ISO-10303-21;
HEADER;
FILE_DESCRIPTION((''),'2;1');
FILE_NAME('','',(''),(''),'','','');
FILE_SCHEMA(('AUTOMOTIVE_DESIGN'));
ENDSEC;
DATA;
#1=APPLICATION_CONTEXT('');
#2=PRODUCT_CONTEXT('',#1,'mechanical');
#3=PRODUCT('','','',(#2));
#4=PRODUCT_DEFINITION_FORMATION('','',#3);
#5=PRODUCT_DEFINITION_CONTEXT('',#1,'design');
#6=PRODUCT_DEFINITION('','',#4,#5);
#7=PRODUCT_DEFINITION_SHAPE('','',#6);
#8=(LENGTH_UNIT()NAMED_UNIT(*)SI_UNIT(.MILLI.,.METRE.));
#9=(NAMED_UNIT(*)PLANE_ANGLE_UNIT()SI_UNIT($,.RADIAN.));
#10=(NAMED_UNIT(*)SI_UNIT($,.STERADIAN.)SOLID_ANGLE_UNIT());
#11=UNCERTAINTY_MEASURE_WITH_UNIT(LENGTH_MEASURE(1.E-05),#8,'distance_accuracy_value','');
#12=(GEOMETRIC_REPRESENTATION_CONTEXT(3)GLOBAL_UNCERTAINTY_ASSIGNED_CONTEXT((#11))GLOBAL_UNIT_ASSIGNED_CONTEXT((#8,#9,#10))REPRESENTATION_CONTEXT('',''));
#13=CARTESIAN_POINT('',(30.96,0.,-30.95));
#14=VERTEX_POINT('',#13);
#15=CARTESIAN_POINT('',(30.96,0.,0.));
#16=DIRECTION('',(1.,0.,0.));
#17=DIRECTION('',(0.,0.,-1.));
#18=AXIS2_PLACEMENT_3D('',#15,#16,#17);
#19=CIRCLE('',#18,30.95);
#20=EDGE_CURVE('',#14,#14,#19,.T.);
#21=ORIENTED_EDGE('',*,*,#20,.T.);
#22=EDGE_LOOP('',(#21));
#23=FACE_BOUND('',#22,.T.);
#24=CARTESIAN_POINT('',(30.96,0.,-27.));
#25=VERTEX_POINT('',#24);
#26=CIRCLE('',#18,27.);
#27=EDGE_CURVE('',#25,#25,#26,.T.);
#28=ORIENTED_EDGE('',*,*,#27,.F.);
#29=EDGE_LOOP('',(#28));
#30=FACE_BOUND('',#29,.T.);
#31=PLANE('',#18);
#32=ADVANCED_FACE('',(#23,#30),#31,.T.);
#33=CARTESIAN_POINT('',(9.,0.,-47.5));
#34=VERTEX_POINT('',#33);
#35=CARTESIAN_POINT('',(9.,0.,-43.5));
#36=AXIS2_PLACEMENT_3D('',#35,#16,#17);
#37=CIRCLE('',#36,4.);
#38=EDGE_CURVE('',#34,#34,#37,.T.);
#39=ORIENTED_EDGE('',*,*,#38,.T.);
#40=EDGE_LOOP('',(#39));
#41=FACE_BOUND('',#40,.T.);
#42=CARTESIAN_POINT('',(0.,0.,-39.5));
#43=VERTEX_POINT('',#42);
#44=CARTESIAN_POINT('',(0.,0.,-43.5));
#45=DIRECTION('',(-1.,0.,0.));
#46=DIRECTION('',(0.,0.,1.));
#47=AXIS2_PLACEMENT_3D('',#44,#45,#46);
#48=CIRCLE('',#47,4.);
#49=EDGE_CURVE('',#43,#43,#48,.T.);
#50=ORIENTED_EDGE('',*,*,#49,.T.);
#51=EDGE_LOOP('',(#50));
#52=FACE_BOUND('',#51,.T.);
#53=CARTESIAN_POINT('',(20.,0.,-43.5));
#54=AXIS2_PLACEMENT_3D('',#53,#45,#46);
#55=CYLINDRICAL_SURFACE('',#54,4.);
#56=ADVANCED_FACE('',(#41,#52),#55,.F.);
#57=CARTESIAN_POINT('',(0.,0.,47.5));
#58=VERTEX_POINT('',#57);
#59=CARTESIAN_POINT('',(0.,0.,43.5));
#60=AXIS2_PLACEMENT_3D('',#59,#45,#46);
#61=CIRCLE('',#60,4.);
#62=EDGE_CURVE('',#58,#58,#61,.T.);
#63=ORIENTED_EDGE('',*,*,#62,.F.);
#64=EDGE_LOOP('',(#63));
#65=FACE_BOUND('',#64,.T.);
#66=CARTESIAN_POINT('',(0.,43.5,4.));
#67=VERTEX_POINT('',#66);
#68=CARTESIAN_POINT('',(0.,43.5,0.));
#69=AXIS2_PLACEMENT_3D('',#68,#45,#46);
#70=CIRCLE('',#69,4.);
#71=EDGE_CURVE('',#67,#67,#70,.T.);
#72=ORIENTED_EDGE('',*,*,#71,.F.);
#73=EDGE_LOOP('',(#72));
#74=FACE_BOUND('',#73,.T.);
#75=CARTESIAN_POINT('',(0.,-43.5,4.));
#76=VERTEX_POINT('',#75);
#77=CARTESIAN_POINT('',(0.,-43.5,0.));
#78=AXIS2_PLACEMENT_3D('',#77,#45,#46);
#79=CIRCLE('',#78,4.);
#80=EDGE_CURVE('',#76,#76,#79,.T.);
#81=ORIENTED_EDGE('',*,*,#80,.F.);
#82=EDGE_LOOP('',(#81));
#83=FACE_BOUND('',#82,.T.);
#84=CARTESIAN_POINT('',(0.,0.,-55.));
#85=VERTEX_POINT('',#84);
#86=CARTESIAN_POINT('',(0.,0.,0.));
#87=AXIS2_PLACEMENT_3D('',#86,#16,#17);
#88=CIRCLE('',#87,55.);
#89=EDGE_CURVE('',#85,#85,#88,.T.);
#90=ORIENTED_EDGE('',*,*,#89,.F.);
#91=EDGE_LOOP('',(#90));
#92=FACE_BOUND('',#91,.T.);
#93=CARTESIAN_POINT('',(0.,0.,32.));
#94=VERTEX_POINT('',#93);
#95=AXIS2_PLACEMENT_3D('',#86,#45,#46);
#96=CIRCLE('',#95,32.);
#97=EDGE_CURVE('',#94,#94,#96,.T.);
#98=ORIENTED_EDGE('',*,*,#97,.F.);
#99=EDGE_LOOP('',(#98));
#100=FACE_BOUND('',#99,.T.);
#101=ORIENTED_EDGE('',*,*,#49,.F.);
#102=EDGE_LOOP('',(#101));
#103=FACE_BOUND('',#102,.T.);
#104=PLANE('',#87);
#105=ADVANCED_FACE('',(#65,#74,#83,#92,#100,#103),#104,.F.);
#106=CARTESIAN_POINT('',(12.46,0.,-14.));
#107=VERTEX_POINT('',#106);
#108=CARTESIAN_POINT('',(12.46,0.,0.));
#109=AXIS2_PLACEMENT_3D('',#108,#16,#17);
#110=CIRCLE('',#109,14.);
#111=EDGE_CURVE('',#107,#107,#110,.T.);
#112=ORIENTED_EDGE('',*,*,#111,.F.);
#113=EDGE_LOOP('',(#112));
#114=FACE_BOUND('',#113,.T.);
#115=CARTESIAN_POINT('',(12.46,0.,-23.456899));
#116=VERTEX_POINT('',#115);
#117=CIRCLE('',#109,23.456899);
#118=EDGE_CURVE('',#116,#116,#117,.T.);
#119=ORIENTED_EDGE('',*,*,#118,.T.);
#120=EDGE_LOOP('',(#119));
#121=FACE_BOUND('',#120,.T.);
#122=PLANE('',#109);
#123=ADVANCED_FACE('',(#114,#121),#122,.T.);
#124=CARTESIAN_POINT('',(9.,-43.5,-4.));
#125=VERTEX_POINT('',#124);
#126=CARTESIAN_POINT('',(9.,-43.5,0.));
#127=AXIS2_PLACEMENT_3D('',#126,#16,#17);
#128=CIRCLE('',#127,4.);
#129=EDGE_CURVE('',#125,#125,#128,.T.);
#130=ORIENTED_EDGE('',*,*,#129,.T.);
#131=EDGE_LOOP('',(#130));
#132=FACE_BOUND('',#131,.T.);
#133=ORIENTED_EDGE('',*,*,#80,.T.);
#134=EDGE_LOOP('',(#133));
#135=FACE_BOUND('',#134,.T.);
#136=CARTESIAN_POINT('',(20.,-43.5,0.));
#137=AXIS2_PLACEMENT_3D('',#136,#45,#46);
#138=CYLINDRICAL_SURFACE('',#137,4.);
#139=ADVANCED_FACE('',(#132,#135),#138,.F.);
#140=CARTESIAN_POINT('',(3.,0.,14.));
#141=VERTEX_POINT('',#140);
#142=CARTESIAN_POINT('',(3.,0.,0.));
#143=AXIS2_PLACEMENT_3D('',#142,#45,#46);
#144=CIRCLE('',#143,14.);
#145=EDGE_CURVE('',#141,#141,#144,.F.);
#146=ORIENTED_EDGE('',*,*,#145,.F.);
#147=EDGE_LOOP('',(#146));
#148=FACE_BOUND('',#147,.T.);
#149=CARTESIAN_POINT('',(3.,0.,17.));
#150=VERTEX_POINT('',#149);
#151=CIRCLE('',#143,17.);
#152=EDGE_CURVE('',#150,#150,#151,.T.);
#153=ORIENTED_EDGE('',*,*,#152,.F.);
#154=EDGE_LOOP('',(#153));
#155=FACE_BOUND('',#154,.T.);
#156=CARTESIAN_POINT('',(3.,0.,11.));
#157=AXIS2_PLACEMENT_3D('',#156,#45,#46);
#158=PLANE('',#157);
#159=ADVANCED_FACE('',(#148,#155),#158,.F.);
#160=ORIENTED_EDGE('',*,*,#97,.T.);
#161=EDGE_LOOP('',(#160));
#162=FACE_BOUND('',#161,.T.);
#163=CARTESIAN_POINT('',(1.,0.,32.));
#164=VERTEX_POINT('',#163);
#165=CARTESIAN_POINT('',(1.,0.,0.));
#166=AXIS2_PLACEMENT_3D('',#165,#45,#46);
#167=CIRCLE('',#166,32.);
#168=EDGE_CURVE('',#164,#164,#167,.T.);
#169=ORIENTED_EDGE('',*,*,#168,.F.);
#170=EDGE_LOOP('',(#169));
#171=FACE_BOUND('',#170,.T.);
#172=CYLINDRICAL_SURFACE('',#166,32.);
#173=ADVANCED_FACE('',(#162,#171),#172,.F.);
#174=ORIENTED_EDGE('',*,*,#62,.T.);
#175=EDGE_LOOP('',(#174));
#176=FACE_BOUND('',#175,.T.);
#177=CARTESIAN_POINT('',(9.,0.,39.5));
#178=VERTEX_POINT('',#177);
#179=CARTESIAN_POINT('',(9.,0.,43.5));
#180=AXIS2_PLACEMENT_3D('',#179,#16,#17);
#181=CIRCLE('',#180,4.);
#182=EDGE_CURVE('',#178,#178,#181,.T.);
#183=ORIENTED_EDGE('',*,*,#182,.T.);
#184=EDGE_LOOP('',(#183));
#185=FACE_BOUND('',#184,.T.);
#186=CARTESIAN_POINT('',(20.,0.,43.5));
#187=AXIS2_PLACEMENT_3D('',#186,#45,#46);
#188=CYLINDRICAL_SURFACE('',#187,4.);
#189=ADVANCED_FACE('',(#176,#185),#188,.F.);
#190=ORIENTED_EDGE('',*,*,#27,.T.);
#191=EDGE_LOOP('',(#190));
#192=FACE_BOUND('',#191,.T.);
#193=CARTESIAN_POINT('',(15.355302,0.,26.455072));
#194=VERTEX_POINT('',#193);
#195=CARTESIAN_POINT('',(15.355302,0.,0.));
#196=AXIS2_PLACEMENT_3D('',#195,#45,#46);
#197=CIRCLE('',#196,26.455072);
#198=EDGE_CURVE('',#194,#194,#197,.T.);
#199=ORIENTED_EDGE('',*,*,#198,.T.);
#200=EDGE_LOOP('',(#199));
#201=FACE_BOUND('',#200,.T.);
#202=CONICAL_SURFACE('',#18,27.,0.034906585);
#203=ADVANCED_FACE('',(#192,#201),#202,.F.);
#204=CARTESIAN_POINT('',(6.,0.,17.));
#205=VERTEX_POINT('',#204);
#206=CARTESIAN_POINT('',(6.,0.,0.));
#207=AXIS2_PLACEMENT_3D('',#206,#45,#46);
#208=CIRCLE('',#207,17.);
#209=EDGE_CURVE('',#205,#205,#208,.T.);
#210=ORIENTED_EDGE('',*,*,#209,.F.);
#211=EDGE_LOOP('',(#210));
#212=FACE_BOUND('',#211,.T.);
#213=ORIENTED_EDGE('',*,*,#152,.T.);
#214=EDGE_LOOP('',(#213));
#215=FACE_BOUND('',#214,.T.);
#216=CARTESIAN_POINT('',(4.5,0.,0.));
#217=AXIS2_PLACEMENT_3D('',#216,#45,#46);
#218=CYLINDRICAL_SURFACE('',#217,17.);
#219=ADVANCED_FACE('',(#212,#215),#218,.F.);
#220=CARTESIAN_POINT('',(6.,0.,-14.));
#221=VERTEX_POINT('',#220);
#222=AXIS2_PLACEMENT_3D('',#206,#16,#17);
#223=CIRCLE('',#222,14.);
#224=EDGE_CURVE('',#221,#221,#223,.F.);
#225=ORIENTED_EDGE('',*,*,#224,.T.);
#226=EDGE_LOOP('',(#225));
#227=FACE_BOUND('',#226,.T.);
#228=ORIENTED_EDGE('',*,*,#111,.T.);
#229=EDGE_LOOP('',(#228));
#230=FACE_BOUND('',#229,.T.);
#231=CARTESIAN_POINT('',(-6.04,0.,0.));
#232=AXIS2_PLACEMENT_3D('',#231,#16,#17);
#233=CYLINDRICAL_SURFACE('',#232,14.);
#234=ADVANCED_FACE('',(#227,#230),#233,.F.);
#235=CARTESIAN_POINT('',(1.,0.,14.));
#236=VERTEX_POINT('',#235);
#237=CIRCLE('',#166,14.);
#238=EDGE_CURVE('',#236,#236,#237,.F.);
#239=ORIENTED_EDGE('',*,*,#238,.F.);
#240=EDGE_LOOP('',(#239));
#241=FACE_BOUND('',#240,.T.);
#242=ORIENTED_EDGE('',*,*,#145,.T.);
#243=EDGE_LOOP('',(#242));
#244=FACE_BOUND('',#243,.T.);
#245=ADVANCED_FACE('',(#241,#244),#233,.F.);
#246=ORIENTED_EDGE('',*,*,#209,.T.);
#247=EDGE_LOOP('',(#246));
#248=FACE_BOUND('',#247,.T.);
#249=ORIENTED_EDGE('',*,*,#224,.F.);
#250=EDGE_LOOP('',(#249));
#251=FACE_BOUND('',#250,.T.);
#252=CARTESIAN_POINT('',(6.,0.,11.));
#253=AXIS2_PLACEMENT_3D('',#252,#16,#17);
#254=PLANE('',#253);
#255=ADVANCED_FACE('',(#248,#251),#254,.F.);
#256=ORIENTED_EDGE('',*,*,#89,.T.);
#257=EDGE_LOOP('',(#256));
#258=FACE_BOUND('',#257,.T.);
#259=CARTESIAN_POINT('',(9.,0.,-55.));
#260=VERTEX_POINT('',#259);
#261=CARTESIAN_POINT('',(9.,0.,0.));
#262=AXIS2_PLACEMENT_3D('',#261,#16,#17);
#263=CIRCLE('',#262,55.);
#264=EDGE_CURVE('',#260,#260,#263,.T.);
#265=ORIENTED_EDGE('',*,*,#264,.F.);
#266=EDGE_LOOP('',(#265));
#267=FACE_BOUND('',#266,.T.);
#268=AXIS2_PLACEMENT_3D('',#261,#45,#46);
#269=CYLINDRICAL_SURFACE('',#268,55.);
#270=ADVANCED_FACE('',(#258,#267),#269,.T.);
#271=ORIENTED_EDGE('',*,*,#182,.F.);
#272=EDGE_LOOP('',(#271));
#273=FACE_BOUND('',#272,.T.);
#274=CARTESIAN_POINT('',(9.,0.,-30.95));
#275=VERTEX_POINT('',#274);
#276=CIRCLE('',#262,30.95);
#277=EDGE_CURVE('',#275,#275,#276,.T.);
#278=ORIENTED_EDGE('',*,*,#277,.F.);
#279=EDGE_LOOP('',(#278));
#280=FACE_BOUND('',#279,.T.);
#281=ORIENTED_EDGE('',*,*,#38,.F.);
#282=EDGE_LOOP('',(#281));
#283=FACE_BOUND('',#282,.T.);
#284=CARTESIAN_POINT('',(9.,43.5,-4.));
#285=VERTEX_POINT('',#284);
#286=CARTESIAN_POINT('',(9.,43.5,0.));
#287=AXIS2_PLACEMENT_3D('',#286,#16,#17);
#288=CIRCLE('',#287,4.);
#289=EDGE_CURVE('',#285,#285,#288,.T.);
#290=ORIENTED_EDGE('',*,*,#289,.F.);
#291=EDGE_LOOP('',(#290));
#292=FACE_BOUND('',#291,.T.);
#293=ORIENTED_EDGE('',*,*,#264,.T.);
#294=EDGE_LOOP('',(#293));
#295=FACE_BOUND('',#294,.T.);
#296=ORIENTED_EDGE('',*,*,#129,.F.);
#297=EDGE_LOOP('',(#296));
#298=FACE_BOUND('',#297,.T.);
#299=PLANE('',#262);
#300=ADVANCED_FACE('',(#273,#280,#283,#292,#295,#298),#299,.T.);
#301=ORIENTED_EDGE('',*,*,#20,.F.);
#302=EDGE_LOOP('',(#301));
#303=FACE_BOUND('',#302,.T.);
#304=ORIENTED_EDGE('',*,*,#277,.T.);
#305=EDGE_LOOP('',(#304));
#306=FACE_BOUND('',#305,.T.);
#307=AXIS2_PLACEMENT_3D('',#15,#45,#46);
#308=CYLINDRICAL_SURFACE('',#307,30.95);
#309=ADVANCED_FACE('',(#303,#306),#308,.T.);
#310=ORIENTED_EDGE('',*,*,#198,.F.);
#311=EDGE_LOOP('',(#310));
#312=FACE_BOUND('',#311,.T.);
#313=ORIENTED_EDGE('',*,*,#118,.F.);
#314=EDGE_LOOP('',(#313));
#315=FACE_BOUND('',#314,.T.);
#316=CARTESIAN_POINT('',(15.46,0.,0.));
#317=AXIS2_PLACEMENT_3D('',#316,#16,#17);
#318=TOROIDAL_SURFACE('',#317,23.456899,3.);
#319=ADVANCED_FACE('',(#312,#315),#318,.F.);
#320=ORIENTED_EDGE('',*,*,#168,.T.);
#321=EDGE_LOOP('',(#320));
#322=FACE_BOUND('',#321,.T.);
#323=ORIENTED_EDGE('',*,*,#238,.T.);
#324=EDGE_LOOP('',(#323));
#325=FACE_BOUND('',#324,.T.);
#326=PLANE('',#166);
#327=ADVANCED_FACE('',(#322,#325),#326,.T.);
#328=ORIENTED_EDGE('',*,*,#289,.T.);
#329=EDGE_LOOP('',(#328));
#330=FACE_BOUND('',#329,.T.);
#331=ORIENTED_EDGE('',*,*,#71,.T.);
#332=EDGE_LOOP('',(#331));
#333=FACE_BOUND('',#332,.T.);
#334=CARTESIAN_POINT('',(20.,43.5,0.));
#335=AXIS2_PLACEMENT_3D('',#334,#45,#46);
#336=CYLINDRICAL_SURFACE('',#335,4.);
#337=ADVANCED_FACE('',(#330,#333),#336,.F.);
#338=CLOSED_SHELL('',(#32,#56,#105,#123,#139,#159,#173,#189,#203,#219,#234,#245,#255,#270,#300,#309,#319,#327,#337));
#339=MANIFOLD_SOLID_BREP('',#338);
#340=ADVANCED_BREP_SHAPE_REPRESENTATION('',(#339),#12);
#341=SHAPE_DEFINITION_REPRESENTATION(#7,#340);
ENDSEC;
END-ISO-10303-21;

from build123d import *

# Parameters (mm, degrees)
SKETCH_1_R          = 55
EXTRUDE_1_DEPTH     = 9
SKETCH_2_R          = 30.95
EXTRUDE_2_DEPTH     = 21.96
SKETCH_3_R          = 27
CUT_EXTRUDE_1_DEPTH = 18.5
CUT_EXTRUDE_1_TAPER = 2
FILLET_1_R          = 3
SKETCH_4_R          = 14
CUT_EXTRUDE_2_DEPTH = 18.5
SKETCH_5_W          = 3
SKETCH_5_H          = 6
SKETCH_7_R          = 32
CUT_EXTRUDE_3_DEPTH = 1
CUT_EXTRUDE_4_DEPTH = 20


with BuildPart() as part:
    # 草图1 → 凸台-拉伸1 (new body)
    with BuildSketch(Plane(origin=(0, 0, 0), x_dir=(0, 0, -1), z_dir=(1, 0, 0))):
        Circle(SKETCH_1_R)
    extrude(amount=EXTRUDE_1_DEPTH)

    # 草图2 → 凸台-拉伸2 (add)
    with BuildSketch(Plane(origin=(9, 0, 0), x_dir=(0, 0, -1), z_dir=(1, 0, 0))):
        Circle(SKETCH_2_R)
    extrude(amount=EXTRUDE_2_DEPTH)

    # 草图3 → 切除-拉伸1 (cut)
    with BuildSketch(Plane(origin=(30.96, 0, 0), x_dir=(0, 0, -1), z_dir=(1, 0, 0))):
        Circle(SKETCH_3_R)
    extrude(amount=-CUT_EXTRUDE_1_DEPTH, taper=CUT_EXTRUDE_1_TAPER, mode=Mode.SUBTRACT)

    # 圆角1
    fillet_1_edges = [part.edges().sort_by_distance(p)[0] for p in [
        (12.46, 0, 26.353965764),
    ]]
    fillet(fillet_1_edges, radius=FILLET_1_R)

    # 草图4 → 切除-拉伸2 (cut)
    with BuildSketch(Plane(origin=(12.46, 0, 0), x_dir=(0, 0, -1), z_dir=(1, 0, 0))):
        Circle(SKETCH_4_R)
    extrude(amount=-CUT_EXTRUDE_2_DEPTH, mode=Mode.SUBTRACT)

    # 切除-扫描1: sweep along a path in 草图6
    with BuildLine(Plane(origin=(4.5, 0, 14), x_dir=(0, 0, -1), z_dir=(1, 0, 0))) as sweep_1_path:
        CenterArc((14, 0), 14, 0, 360)
    # 草图5 → 切除-扫描1 (sweep, cut)
    with BuildSketch(Plane(origin=(0, 0, 0), x_dir=(1, 0, 0), z_dir=(0, 1, 0))):
        with Locations((4.5, -14)):
            Rectangle(SKETCH_5_W, SKETCH_5_H)
    sweep(path=sweep_1_path.line, mode=Mode.SUBTRACT)

    # 草图7 → 切除-拉伸3 (cut)
    with BuildSketch(Plane.ZY):
        Circle(SKETCH_7_R)
    extrude(amount=-CUT_EXTRUDE_3_DEPTH, mode=Mode.SUBTRACT)

    # 草图8 → 切除-拉伸4 (cut)
    with BuildSketch(Plane.ZY):
        with BuildLine():
            ThreePointArc((0, 47.5), (-4, 43.5), (0, 39.5))
            Line((0, 39.5), (0, 47.5))
        make_face()
        with BuildLine():
            Line((0, 47.5), (0, 39.5))
            ThreePointArc((0, 39.5), (2.828427125, 40.671572875), (4, 43.5))
            ThreePointArc((4, 43.5), (2.828427125, 46.328427125), (0, 47.5))
        make_face()
        with BuildLine():
            ThreePointArc((47.5, 0), (43.5, 4), (39.5, 0))
            Line((39.5, 0), (47.5, 0))
        make_face()
        with BuildLine():
            Line((47.5, 0), (39.5, 0))
            ThreePointArc((39.5, 0), (43.5, -4), (47.5, 0))
        make_face()
        with BuildLine():
            ThreePointArc((0, -39.5), (-4, -43.5), (0, -47.5))
            Line((0, -47.5), (0, -39.5))
        make_face()
        with BuildLine():
            Line((0, -39.5), (0, -47.5))
            ThreePointArc((0, -47.5), (2.828427125, -46.328427125), (4, -43.5))
            ThreePointArc((4, -43.5), (2.828427125, -40.671572875), (0, -39.5))
        make_face()
        with BuildLine():
            ThreePointArc((-39.5, 0), (-43.5, 4), (-47.5, 0))
            Line((-47.5, 0), (-39.5, 0))
        make_face()
        with BuildLine():
            Line((-39.5, 0), (-47.5, 0))
            ThreePointArc((-47.5, 0), (-43.5, -4), (-39.5, 0))
        make_face()
    extrude(amount=-CUT_EXTRUDE_4_DEPTH, mode=Mode.SUBTRACT)


solid = part.part
